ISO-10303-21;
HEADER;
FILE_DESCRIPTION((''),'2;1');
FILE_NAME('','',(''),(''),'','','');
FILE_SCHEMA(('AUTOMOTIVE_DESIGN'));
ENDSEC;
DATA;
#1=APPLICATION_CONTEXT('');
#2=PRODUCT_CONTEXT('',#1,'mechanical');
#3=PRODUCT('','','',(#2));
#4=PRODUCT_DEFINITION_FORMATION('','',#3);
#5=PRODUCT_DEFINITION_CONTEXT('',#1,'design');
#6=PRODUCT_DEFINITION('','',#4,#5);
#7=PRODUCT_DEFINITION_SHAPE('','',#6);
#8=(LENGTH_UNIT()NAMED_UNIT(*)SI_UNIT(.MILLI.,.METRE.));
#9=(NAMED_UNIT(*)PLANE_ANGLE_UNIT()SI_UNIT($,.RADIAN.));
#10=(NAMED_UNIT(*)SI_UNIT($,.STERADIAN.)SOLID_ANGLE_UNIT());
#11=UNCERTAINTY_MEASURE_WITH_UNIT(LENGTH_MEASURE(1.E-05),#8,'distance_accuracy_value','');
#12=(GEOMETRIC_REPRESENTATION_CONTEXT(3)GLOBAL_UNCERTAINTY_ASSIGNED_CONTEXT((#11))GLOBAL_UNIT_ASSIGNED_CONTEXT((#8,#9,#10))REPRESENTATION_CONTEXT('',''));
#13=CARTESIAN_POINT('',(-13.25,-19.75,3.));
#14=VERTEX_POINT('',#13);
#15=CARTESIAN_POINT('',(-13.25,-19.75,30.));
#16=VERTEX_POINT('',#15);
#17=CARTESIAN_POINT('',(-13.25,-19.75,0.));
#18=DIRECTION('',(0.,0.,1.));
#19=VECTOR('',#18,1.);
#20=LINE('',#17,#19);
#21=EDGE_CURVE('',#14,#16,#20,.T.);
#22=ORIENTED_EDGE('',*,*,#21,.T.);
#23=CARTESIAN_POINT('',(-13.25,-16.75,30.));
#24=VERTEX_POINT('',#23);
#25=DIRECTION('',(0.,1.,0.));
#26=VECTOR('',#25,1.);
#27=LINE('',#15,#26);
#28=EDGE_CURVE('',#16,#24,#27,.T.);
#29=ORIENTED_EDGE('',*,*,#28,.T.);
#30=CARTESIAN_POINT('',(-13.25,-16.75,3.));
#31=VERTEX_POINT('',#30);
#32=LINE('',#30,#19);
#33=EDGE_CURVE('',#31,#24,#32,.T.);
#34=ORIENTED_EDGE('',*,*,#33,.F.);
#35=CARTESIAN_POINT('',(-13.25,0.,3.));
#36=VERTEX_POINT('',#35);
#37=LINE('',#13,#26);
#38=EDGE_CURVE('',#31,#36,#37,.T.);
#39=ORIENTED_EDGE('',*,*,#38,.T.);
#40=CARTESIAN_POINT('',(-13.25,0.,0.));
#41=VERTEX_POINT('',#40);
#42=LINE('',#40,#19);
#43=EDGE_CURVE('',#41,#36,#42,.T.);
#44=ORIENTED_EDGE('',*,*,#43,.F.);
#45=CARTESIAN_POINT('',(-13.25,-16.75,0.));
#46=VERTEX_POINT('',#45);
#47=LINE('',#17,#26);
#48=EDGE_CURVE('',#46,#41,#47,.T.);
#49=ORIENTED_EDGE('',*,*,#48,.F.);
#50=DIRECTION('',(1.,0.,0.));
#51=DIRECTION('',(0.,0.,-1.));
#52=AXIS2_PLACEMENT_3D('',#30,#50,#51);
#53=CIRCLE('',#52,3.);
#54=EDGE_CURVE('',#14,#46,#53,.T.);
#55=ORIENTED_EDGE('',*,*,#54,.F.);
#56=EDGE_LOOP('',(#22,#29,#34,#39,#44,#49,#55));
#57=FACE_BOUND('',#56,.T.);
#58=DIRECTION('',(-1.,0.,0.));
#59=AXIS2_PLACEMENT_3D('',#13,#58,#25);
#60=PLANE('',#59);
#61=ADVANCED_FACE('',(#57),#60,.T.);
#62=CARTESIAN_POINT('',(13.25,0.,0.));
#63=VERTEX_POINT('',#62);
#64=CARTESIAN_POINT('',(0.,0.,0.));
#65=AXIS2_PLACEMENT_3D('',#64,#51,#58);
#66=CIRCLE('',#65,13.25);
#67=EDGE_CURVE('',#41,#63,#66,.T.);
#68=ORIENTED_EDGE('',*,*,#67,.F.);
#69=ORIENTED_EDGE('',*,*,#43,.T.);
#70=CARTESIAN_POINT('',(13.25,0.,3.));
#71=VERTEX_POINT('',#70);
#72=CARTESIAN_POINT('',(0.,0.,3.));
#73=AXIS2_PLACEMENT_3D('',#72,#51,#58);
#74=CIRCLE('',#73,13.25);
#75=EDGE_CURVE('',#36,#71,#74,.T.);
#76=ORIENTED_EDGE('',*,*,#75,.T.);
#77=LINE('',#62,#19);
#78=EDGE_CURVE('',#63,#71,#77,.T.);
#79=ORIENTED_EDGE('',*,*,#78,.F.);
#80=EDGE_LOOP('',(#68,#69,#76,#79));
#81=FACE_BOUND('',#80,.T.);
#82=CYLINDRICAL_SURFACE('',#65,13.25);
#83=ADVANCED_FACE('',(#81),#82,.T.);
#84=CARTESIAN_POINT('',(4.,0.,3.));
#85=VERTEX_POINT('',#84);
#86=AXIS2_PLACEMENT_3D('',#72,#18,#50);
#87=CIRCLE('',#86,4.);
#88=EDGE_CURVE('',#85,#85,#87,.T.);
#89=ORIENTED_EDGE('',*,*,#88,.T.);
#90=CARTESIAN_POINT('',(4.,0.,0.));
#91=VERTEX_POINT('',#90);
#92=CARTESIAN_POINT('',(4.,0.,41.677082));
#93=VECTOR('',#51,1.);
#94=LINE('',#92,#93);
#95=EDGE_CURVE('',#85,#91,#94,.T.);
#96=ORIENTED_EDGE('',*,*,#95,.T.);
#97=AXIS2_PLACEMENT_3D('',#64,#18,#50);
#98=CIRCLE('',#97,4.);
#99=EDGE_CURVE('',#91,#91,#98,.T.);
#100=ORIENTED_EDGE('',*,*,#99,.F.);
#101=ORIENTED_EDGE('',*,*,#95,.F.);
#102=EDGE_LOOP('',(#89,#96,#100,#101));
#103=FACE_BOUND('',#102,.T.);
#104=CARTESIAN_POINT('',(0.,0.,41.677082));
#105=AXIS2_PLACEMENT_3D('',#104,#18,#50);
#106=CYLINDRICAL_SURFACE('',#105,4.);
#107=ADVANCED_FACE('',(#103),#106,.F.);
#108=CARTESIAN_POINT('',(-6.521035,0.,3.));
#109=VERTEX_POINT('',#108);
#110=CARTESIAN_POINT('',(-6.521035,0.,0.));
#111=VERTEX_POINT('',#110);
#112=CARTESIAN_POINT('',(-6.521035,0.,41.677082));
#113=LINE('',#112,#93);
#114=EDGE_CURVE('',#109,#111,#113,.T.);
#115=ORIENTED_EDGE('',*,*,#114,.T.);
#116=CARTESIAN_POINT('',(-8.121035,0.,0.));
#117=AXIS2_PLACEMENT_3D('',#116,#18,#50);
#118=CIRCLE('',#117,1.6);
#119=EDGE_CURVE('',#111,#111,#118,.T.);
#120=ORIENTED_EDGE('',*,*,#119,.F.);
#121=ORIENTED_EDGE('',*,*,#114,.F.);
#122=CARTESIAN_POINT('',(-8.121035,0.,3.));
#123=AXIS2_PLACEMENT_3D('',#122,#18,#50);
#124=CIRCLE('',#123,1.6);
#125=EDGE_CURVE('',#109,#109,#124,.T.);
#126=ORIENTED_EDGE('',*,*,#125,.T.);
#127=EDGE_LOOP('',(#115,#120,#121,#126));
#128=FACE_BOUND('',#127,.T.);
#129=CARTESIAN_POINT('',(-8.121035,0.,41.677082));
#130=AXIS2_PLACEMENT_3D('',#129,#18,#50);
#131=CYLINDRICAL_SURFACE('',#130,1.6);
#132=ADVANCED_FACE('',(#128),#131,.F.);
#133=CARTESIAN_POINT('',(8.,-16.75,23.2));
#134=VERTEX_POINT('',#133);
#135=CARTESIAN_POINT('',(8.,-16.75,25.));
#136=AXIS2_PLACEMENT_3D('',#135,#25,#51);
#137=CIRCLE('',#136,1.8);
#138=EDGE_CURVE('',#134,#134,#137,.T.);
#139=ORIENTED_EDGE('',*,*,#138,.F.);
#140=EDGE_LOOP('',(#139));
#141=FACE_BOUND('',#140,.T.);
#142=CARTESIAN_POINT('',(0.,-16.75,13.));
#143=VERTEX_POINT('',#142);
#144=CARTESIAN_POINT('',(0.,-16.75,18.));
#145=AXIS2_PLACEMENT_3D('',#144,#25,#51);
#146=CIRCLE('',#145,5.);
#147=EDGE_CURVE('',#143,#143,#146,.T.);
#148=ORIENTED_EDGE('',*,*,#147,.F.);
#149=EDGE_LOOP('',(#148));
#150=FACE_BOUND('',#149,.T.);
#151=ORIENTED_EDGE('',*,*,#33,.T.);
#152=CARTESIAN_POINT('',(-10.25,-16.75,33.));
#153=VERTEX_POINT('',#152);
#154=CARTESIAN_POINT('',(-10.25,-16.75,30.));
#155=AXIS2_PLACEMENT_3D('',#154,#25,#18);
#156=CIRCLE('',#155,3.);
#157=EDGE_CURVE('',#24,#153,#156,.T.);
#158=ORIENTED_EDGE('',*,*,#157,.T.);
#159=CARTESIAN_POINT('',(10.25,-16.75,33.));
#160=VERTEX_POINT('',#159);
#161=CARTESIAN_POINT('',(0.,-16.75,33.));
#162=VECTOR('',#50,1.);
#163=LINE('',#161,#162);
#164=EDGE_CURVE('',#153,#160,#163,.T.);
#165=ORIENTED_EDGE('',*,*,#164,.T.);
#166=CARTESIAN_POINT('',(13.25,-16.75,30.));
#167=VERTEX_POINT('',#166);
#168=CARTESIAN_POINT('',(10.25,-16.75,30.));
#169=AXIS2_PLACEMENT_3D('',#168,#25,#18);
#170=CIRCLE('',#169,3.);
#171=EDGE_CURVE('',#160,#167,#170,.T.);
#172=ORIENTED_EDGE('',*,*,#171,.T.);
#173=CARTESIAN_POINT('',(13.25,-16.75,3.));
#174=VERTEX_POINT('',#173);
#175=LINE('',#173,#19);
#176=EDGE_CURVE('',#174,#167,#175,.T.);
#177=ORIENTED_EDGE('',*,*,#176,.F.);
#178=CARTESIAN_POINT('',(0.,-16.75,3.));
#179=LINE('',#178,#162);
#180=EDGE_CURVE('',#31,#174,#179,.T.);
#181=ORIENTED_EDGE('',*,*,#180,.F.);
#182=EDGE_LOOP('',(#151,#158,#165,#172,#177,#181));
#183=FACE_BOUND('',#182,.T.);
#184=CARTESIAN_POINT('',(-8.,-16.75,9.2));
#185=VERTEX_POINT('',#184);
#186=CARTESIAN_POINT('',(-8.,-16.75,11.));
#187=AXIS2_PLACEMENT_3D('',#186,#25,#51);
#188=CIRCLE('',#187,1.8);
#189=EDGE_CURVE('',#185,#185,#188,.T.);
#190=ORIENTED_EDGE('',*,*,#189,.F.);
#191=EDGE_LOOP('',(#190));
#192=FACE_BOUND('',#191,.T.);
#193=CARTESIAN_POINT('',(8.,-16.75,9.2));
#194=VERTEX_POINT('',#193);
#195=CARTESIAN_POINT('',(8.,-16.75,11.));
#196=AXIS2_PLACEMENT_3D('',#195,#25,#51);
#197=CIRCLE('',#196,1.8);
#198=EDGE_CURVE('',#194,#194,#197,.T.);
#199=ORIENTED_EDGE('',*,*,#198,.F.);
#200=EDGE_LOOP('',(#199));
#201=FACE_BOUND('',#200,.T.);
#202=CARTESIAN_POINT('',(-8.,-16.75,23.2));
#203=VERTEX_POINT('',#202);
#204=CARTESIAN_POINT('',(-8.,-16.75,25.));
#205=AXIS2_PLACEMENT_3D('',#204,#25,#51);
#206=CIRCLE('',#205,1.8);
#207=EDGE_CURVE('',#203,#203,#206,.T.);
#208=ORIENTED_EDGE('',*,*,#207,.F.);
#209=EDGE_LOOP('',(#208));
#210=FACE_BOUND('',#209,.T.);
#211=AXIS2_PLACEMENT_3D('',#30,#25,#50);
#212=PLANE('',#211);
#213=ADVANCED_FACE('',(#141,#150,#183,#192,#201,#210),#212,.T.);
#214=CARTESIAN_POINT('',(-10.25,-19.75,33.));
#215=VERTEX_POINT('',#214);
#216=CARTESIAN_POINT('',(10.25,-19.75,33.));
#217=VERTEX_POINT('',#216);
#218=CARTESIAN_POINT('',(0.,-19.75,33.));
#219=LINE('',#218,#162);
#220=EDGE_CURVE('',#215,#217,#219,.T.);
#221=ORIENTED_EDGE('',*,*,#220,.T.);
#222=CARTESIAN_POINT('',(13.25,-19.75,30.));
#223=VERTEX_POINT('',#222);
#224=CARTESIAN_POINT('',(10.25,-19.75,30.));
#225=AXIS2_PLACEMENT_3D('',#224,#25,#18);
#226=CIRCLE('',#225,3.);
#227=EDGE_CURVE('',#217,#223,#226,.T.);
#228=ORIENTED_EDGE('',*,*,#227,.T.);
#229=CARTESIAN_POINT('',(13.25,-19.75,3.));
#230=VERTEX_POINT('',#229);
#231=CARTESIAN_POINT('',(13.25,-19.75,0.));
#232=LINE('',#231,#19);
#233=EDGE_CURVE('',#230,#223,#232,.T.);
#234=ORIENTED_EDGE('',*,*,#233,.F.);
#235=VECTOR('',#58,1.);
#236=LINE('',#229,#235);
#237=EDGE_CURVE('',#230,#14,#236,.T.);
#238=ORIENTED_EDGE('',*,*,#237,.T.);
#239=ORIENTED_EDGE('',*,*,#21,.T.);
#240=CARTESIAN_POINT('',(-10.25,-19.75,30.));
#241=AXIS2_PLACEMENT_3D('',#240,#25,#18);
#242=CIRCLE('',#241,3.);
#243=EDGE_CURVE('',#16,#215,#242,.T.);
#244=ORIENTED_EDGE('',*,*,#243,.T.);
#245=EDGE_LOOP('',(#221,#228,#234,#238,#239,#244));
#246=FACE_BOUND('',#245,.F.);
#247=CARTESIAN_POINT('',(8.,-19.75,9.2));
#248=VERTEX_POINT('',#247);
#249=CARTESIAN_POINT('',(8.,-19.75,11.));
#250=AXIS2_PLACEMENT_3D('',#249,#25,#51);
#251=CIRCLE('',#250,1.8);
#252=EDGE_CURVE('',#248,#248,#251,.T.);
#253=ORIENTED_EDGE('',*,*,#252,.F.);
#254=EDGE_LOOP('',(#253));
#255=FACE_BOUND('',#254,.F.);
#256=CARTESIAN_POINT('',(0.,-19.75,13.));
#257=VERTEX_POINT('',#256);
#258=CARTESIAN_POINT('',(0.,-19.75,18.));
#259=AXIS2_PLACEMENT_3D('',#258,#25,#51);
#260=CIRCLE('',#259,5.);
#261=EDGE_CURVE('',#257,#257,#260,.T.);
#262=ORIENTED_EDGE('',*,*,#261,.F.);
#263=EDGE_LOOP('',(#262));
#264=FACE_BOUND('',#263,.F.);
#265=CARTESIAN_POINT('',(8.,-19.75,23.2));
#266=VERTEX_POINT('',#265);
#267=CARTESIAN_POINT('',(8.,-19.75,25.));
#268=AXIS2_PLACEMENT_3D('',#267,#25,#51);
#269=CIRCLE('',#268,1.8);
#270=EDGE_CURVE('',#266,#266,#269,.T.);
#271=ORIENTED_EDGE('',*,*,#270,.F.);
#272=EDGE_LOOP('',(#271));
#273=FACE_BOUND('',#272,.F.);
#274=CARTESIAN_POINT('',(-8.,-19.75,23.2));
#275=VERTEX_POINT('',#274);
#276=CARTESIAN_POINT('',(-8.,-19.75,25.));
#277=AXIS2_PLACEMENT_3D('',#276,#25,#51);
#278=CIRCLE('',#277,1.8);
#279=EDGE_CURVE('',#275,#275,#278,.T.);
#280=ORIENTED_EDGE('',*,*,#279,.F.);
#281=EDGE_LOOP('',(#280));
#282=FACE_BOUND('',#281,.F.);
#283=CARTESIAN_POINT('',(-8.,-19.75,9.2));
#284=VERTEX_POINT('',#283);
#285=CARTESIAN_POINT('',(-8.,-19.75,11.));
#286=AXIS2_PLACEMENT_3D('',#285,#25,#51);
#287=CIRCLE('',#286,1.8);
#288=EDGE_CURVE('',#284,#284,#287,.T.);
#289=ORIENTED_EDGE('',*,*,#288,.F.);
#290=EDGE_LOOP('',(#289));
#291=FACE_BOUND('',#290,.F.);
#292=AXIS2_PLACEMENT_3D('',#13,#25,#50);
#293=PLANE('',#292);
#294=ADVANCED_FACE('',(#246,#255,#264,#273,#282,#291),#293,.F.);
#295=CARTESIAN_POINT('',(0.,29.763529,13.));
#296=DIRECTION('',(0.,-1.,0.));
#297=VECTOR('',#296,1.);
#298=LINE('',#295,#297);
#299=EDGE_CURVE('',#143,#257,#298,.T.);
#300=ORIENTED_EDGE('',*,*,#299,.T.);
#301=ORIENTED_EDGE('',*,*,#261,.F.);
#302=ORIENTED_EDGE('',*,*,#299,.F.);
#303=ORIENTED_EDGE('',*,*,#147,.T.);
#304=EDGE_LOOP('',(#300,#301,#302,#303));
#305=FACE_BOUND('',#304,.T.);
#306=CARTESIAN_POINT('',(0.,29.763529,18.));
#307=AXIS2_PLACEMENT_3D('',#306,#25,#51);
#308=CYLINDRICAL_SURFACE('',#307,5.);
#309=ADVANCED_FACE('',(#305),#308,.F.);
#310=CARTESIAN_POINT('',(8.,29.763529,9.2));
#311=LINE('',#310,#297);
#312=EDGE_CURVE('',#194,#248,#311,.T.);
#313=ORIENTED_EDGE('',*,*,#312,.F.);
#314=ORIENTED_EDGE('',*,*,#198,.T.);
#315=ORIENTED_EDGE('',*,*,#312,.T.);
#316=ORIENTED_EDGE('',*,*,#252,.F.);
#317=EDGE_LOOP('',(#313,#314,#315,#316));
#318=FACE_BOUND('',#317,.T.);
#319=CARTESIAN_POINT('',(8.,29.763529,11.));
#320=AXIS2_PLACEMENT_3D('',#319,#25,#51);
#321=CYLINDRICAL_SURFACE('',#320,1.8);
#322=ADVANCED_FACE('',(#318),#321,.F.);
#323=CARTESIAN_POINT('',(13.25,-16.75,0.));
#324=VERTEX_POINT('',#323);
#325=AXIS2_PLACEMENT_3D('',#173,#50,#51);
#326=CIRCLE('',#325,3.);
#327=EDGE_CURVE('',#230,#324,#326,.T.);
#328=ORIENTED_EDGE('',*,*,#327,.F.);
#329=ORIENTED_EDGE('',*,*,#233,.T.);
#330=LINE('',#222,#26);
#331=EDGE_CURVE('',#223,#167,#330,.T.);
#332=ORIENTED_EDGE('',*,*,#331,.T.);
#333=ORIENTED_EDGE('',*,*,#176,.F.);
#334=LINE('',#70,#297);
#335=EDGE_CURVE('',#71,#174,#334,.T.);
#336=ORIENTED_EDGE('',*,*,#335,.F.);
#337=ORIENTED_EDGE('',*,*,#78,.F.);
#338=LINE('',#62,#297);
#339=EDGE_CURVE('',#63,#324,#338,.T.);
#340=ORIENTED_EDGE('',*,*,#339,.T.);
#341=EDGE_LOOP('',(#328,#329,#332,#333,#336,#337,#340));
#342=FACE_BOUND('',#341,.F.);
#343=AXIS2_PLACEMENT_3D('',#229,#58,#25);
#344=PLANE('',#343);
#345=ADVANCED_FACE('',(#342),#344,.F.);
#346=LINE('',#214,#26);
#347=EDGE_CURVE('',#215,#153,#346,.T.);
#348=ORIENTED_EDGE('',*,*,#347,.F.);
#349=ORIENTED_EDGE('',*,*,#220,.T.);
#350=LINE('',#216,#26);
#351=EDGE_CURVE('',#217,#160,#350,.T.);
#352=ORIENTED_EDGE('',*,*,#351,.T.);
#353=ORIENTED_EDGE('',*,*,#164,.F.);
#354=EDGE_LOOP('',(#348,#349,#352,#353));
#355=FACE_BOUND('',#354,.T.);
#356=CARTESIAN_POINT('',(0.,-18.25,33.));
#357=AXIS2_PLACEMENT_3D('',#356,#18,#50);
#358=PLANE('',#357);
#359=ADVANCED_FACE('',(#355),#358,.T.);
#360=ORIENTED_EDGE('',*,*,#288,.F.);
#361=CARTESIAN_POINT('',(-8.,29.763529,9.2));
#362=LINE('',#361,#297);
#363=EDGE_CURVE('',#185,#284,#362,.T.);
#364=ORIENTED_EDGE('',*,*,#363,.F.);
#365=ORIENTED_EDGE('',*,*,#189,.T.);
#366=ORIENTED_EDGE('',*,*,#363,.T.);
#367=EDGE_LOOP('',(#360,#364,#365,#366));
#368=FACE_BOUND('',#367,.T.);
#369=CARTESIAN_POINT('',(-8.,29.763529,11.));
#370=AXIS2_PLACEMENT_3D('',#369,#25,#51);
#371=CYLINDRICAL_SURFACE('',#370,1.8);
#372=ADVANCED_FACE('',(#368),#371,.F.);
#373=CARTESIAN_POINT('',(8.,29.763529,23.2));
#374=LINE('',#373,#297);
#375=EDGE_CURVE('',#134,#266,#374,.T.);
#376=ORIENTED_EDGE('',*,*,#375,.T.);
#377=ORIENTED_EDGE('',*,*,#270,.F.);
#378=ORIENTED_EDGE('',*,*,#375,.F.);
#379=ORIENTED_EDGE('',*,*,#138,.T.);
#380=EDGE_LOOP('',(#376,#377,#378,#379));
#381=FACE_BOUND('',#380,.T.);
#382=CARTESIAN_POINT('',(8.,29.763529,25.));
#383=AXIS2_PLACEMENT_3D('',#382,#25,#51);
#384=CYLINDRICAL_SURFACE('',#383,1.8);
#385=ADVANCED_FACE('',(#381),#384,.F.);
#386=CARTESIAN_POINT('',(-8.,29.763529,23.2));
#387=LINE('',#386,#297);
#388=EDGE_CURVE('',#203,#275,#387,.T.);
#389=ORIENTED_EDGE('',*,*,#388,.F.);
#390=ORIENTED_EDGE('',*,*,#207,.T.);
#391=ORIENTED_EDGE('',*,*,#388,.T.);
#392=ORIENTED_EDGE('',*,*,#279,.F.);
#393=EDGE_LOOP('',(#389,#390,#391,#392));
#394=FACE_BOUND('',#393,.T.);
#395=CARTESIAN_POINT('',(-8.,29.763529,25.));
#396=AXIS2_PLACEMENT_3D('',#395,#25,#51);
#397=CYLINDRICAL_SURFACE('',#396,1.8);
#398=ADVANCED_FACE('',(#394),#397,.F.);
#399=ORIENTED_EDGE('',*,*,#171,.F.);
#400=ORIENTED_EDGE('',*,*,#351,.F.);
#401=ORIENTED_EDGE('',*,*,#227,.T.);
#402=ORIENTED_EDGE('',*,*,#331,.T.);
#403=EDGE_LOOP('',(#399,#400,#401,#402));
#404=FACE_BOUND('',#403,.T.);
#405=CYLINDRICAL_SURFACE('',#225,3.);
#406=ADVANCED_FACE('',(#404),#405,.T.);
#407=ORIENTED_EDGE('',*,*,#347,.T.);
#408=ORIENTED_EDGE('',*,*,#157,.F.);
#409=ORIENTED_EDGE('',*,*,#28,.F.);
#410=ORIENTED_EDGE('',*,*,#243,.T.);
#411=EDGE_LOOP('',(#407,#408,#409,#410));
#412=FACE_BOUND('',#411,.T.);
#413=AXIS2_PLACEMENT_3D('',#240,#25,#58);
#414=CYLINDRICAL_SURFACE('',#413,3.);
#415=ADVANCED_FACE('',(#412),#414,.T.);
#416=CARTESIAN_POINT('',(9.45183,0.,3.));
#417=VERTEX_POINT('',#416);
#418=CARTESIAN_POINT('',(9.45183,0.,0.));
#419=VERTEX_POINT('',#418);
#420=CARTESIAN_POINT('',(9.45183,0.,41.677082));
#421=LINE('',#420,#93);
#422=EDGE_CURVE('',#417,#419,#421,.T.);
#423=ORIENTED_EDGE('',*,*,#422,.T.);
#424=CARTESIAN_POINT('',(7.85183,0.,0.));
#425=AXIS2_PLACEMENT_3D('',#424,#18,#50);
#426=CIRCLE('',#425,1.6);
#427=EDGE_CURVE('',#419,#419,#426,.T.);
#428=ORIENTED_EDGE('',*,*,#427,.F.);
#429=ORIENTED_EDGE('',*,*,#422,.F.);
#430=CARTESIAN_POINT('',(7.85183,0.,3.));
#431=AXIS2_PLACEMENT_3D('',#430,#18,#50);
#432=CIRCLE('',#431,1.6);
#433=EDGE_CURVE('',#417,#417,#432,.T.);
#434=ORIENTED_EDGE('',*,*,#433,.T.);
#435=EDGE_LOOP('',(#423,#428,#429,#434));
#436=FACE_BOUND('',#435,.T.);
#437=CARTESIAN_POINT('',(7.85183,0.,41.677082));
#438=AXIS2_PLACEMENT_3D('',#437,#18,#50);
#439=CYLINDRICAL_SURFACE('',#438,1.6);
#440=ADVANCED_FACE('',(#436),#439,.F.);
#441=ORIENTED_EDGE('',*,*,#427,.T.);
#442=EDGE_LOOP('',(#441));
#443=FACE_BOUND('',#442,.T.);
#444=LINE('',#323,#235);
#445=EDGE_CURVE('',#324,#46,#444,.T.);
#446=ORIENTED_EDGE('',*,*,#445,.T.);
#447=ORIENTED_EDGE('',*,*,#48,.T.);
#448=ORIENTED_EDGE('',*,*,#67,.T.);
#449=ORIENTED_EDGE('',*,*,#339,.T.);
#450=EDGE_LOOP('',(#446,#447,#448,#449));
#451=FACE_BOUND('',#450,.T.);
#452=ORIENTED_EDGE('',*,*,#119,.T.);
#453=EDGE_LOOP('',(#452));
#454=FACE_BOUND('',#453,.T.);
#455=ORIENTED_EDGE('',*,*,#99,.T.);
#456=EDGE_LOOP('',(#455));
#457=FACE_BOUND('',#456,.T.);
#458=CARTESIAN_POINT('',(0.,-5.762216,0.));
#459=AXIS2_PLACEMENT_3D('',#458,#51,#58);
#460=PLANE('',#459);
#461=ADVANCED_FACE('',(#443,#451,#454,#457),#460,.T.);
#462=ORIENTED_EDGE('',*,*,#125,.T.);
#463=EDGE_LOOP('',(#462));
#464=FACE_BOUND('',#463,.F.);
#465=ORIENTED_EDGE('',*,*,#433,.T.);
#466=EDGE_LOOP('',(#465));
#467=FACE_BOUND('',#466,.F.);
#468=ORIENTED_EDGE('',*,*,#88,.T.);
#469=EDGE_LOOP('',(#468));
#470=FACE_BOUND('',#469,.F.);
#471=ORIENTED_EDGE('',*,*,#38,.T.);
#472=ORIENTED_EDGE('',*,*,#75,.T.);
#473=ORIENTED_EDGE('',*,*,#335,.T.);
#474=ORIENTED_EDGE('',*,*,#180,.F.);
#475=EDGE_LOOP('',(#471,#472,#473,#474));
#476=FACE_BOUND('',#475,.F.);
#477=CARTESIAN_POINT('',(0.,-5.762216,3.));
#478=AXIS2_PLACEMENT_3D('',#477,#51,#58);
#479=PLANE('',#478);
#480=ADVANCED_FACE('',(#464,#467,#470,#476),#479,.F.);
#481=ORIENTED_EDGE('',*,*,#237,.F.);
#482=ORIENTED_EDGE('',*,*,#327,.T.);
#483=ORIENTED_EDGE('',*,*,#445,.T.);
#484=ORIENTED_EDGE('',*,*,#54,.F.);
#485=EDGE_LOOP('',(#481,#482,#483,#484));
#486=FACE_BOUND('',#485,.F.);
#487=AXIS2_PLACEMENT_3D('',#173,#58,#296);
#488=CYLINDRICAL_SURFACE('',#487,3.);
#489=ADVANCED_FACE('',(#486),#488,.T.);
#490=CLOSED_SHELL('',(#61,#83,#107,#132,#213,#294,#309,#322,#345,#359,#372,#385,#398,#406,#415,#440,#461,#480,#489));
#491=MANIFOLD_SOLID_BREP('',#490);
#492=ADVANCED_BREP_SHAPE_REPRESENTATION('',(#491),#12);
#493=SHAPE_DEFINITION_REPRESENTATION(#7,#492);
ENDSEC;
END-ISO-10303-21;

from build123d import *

# Parameters (mm, degrees)
EXTRUDE_1_DEPTH          = 3
SKETCH_2_W               = 26.5
SKETCH_2_H               = 3
EXTRUDE_2_DEPTH          = 30
FILLET_1_R               = 3
FILLET_2_R               = 3
CUT_EXTRUDE_1_DEPTH      = 41.677082
CUT_EXTRUDE_1_DEPTH_BACK = 41.677082
SKETCH_3_R               = 4
CUT_EXTRUDE_2_DEPTH      = 41.677082
CUT_EXTRUDE_2_DEPTH_BACK = 41.677082
SKETCH_4_R               = 1.6
CUT_EXTRUDE_3_DEPTH      = 49.513529041
CUT_EXTRUDE_3_DEPTH_BACK = 49.513529041
SKETCH_5_R               = 5
CUT_EXTRUDE_4_DEPTH      = 49.513529041
CUT_EXTRUDE_4_DEPTH_BACK = 49.513529041
SKETCH_6_R               = 1.8


with BuildPart() as part:
    # 草图1 → 凸台-拉伸1 (new body)
    with BuildSketch(Plane.XY):
        with BuildLine():
            Line((13.25, 0), (13.25, -19.75))
            Line((13.25, -19.75), (-13.25, -19.75))
            Line((-13.25, -19.75), (-13.25, 0))
            ThreePointArc((-13.25, 0), (0, 13.25), (13.25, 0))
        make_face()
    extrude(amount=EXTRUDE_1_DEPTH)

    # 草图2 → 凸台-拉伸2 (add)
    with BuildSketch(Plane.XY.offset(3)):
        with Locations((0, -18.25)):
            Rectangle(SKETCH_2_W, SKETCH_2_H)
    extrude(amount=EXTRUDE_2_DEPTH)

    # 圆角1
    fillet_1_edges = [part.edges().sort_by_distance(p)[0] for p in [
        (0, -19.75, 0),
    ]]
    fillet(fillet_1_edges, radius=FILLET_1_R)

    # 圆角2
    fillet_2_edges = [part.edges().sort_by_distance(p)[0] for p in [
        (-13.25, -18.25, 33),
        (13.25, -18.25, 33),
    ]]
    fillet(fillet_2_edges, radius=FILLET_2_R)

    # 草图3 → 切除-拉伸1 (cut, two sides: drawn at the far end of the back side and taken through both)
    with BuildSketch(Plane(origin=(0, 0, 0), x_dir=(-1, 0, 0), z_dir=(0, 0, -1)).offset(-CUT_EXTRUDE_1_DEPTH_BACK)):
        with Locations(Location((0, 0, 0), (0, 0, 180))):
            Circle(SKETCH_3_R)
    extrude(amount=CUT_EXTRUDE_1_DEPTH + CUT_EXTRUDE_1_DEPTH_BACK, mode=Mode.SUBTRACT)

    # 草图4 → 切除-拉伸2 (cut, two sides: drawn at the far end of the back side and taken through both)
    with BuildSketch(Plane(origin=(0, 0, 0), x_dir=(-1, 0, 0), z_dir=(0, 0, -1)).offset(-CUT_EXTRUDE_2_DEPTH_BACK)):
        with Locations(Location((8.121035447, 0, 0), (0, 0, 180))):
            Circle(SKETCH_4_R)
        with Locations(Location((-7.851829852, 0, 0), (0, 0, 180))):
            Circle(SKETCH_4_R)
    extrude(amount=CUT_EXTRUDE_2_DEPTH + CUT_EXTRUDE_2_DEPTH_BACK, mode=Mode.SUBTRACT)

    # 草图5 → 切除-拉伸3 (cut, two sides: drawn at the far end of the back side and taken through both)
    with BuildSketch(Plane(origin=(0, -19.75, 0), x_dir=(-1, 0, 0), z_dir=(0, -1, 0)).offset(-CUT_EXTRUDE_3_DEPTH_BACK)):
        with Locations(Location((0, -18, 0), (0, 0, 90))):
            Circle(SKETCH_5_R)
    extrude(amount=CUT_EXTRUDE_3_DEPTH + CUT_EXTRUDE_3_DEPTH_BACK, mode=Mode.SUBTRACT)

    # 草图6 → 切除-拉伸4 (cut, two sides: drawn at the far end of the back side and taken through both)
    with BuildSketch(Plane(origin=(0, -19.75, 0), x_dir=(-1, 0, 0), z_dir=(0, -1, 0)).offset(-CUT_EXTRUDE_4_DEPTH_BACK)):
        with Locations(Location((-8, -11, 0), (0, 0, 90))):
            Circle(SKETCH_6_R)
        with Locations(Location((8, -11, 0), (0, 0, 90))):
            Circle(SKETCH_6_R)
        with Locations(Location((8, -25, 0), (0, 0, 90))):
            Circle(SKETCH_6_R)
        with Locations(Location((-8, -25, 0), (0, 0, 90))):
            Circle(SKETCH_6_R)
    extrude(amount=CUT_EXTRUDE_4_DEPTH + CUT_EXTRUDE_4_DEPTH_BACK, mode=Mode.SUBTRACT)


solid = part.part
